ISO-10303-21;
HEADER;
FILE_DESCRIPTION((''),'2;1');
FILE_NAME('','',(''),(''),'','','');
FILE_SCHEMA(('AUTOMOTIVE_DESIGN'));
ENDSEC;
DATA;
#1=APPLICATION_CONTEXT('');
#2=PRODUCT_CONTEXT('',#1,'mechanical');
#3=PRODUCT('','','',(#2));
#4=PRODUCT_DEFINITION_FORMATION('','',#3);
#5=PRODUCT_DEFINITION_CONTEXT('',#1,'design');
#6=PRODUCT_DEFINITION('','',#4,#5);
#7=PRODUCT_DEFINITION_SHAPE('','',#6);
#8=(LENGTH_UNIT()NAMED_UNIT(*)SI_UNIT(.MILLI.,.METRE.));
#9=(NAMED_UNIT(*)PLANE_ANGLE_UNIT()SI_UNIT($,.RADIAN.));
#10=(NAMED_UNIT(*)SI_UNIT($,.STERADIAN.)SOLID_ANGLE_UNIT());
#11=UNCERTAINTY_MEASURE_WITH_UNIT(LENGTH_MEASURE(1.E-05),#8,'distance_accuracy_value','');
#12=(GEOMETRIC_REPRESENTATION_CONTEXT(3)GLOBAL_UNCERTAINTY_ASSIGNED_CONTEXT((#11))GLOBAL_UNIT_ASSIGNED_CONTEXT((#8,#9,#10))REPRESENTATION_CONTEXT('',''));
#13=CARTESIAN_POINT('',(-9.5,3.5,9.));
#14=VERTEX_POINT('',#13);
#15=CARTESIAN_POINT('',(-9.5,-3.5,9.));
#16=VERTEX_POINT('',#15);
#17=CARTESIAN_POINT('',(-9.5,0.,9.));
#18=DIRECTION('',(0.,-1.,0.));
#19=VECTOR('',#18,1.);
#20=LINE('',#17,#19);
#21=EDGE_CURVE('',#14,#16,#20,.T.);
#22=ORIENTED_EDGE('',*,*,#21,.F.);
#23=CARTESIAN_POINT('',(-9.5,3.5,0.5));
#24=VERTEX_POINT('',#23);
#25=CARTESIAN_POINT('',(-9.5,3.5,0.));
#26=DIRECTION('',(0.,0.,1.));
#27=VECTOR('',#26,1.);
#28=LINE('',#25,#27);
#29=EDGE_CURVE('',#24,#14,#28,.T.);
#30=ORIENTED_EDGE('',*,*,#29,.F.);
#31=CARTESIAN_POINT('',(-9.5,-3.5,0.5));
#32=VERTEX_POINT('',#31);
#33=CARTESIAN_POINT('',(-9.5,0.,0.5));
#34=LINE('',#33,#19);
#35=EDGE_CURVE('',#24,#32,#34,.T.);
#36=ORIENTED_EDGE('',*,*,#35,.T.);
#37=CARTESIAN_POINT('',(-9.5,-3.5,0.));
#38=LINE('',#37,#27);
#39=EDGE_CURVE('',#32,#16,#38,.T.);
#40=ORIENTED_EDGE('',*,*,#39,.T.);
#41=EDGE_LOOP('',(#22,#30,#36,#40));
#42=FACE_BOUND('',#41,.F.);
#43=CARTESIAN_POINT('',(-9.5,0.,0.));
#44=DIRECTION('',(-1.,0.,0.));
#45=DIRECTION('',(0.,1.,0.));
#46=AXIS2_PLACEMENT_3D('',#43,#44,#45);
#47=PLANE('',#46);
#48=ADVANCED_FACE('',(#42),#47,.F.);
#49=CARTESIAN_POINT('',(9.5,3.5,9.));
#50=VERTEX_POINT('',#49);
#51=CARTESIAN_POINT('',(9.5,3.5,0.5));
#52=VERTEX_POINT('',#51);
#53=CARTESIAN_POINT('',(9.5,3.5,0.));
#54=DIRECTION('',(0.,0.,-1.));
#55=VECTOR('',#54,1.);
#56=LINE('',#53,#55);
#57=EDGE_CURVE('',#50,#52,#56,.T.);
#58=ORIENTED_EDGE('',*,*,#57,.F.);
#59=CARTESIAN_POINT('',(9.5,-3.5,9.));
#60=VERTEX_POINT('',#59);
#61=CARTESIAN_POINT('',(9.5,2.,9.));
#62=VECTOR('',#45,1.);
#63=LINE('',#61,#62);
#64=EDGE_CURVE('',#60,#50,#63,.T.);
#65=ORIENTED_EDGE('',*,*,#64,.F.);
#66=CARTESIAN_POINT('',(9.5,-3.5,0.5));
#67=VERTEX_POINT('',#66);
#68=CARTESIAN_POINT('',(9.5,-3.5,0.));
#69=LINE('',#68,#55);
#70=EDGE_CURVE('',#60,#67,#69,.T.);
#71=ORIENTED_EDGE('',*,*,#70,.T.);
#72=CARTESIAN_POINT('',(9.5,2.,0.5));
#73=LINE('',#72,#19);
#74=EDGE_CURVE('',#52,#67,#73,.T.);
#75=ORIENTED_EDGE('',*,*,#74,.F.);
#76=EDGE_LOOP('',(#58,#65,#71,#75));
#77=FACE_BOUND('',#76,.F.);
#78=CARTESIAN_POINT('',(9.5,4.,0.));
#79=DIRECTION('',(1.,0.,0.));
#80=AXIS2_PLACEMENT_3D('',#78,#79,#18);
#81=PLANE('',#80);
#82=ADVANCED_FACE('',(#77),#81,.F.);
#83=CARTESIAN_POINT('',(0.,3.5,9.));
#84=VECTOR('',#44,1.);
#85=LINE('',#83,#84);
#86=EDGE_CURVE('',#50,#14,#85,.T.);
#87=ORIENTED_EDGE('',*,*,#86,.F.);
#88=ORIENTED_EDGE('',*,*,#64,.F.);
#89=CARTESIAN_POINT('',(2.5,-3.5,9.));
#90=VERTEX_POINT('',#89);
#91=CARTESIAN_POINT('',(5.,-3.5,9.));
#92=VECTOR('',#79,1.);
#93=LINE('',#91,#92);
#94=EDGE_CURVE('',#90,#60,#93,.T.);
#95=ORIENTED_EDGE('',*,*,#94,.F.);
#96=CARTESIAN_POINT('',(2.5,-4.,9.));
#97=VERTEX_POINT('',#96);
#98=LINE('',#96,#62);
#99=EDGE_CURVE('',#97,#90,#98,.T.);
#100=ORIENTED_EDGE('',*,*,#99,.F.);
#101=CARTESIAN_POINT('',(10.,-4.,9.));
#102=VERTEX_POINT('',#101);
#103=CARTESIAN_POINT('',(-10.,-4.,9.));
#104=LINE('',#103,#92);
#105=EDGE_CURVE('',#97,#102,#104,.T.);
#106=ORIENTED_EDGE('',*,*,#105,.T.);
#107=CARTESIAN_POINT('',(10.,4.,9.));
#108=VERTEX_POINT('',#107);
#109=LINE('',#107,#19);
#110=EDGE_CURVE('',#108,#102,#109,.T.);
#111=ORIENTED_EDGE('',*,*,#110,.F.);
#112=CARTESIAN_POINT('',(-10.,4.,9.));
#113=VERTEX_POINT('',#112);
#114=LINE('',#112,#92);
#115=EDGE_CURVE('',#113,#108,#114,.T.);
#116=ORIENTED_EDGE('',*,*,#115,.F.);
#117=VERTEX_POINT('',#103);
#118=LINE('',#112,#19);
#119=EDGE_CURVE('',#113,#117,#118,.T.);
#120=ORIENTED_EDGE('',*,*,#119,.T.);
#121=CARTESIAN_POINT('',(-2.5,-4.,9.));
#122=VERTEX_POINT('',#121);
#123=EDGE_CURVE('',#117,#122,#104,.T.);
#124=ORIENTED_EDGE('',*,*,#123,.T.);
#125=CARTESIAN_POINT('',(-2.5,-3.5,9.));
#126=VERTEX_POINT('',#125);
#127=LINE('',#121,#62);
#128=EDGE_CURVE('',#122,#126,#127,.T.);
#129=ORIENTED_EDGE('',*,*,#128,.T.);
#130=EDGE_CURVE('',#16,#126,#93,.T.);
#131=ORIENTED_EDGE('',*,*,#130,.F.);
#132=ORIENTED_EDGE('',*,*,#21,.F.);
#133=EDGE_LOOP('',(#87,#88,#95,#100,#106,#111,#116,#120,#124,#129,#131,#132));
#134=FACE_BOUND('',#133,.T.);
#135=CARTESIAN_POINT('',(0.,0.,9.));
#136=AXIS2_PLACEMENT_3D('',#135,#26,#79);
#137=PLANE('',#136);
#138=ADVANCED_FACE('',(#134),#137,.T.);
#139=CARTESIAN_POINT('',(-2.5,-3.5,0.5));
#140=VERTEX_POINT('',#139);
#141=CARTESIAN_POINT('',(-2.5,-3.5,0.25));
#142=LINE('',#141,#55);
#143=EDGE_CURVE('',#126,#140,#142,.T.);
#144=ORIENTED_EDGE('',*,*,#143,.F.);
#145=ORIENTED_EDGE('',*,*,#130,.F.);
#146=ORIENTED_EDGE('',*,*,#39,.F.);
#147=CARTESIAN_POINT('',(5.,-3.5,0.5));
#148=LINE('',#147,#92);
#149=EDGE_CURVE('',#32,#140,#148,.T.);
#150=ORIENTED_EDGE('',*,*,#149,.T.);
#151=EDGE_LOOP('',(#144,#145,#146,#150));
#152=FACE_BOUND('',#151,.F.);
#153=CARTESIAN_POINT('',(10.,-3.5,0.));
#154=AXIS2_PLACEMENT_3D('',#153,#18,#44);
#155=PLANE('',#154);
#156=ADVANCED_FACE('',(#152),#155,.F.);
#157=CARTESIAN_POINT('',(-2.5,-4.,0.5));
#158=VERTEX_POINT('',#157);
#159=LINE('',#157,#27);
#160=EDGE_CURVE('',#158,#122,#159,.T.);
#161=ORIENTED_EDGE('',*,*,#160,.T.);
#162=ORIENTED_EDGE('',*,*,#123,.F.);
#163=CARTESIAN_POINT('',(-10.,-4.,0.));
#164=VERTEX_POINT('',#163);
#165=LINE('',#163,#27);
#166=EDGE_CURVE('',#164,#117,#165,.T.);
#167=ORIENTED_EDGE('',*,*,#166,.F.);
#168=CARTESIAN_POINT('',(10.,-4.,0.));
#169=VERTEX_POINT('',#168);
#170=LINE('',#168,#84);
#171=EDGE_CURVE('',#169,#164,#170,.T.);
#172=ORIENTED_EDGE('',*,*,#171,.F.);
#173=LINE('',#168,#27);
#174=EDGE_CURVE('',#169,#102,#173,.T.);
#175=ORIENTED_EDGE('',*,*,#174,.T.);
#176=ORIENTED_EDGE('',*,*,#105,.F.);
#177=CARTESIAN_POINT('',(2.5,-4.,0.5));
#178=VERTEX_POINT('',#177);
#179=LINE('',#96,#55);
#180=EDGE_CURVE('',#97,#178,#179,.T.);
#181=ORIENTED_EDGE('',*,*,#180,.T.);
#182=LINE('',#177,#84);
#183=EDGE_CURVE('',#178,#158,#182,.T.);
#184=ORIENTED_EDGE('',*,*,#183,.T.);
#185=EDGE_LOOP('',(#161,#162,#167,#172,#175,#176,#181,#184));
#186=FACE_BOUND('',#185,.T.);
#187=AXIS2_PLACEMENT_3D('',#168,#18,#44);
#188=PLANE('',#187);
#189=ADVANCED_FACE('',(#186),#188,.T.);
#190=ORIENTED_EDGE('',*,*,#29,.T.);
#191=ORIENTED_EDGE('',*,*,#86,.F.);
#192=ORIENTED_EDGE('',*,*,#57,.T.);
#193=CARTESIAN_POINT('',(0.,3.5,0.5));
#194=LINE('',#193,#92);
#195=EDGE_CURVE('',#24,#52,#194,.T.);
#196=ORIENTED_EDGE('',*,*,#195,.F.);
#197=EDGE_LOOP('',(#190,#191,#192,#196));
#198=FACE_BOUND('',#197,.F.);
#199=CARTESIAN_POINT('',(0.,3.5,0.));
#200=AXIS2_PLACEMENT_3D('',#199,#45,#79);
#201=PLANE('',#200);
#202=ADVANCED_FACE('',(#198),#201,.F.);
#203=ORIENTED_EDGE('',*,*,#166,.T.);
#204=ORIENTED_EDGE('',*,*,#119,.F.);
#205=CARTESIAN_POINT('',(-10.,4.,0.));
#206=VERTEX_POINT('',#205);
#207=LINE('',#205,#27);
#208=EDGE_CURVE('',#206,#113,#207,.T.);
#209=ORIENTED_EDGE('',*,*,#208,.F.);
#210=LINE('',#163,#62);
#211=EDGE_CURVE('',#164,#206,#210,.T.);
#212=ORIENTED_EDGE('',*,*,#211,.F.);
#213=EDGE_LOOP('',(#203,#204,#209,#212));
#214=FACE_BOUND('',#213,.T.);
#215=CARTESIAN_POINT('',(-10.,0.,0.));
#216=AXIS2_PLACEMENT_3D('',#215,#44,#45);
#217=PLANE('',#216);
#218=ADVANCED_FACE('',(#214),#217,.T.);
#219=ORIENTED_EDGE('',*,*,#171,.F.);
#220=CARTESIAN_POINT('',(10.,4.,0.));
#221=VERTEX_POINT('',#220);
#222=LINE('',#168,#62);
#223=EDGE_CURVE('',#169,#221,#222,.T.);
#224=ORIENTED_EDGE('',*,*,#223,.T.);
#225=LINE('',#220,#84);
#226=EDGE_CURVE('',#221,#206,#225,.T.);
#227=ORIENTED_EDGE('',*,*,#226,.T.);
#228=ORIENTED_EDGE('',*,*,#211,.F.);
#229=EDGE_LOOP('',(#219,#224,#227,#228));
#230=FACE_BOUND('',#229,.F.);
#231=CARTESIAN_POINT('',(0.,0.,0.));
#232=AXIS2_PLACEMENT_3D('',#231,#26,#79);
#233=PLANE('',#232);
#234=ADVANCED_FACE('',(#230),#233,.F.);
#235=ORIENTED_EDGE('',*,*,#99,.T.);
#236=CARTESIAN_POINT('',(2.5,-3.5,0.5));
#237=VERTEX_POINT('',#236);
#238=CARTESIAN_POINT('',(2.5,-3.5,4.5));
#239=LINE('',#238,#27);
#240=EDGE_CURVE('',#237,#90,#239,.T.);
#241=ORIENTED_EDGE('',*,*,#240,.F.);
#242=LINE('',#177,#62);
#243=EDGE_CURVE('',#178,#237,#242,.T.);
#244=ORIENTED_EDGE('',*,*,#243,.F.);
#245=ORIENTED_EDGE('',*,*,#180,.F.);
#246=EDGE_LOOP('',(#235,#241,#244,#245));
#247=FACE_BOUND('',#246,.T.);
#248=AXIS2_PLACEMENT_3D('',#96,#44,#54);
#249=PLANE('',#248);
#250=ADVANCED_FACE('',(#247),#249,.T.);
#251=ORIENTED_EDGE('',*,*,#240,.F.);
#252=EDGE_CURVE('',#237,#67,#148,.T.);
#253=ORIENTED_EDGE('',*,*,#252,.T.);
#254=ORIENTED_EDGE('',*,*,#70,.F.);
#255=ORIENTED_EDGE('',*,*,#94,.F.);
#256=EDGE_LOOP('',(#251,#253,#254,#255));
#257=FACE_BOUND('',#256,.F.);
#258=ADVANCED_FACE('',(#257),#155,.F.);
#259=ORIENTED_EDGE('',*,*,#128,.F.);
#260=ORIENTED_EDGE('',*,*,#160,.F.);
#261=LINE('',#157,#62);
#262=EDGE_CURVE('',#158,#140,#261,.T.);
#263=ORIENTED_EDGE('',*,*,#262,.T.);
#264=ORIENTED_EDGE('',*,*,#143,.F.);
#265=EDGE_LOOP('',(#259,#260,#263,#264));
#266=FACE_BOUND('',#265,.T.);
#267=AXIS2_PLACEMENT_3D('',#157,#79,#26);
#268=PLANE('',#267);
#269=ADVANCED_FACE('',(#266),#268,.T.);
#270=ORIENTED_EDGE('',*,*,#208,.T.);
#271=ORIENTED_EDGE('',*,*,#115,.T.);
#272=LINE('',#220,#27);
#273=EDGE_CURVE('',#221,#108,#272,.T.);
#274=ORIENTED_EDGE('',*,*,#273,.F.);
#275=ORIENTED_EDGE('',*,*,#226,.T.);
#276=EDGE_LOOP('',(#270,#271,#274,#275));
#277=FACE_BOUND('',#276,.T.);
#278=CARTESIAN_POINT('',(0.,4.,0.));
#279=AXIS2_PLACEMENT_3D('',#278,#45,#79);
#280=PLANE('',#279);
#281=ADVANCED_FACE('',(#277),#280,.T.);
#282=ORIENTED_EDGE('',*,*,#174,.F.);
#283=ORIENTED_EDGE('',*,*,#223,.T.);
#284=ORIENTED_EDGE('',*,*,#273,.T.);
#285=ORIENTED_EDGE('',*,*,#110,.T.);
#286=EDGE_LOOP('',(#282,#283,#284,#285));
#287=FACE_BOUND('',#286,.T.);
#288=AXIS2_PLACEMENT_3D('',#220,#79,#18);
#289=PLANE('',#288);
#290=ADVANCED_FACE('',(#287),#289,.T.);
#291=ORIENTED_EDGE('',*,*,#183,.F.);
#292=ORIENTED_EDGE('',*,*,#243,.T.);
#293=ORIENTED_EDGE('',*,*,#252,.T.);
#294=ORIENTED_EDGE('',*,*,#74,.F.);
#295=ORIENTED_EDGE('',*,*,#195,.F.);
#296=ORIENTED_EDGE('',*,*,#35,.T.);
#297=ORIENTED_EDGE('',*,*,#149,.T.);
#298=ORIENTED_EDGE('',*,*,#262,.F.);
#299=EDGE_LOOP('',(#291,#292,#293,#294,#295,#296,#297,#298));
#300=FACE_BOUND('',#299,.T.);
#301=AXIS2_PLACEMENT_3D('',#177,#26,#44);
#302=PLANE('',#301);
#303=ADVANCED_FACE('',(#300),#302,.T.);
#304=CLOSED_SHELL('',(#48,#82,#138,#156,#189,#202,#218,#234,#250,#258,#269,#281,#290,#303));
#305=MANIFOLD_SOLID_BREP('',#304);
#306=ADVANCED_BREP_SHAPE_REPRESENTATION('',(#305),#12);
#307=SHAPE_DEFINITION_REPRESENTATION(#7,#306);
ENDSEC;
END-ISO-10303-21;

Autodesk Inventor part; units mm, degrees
ref_plane "YZ Plane" through (0, 0, 0) normal (1, 0, 0) x (0, 1, 0)
ref_plane "XZ Plane" through (0, 0, 0) normal (0, 1, 0) x (-1, 0, 0)
ref_plane "XY Plane" through (0, 0, 0) normal (0, 0, 1) x (1, 0, 0)
sketch "Sketch1" plane through (0, 0, 0) normal (0, 0, 1) x (1, 0, 0)
  line L0 (0, 6.4) -> (0, -4.8) projected
  line L1 (-12, 0) -> (16, 0) projected
  line L2 (-10, 4) -> (10, 4)
  line L3 (10, 4) -> (10, -4)
  line L4 (10, -4) -> (-10, -4)
  line L5 (-10, -4) -> (-10, 4)
  dimension "d0" = 20
  dimension "d1" = 8
extrude "Extrusion1" add sketch "Sketch1" along normal blind 9
shell "Shell1" thickness 0.5 removed faces 1 at (3.3333, -1.3333, 9)
sketch "Sketch2" plane through (-10, -4, 0) normal (0, -1, 0) x (1, 0, 0)
  line L0 (20, 9) -> (0, 9) construction
  line L1 (19.5, 0.5) -> (0.5, 0.5) construction
  line L2 (10, 11.7) -> (10, -0.9) construction
  line L3 (7.5, 9) -> (12.5, 9)
  line L4 (12.5, 9) -> (12.5, 0.5)
  line L5 (12.5, 0.5) -> (7.5, 0.5)
  line L6 (7.5, 0.5) -> (7.5, 9)
  dimension "d5" = 5
extrude "Extrusion2" cut sketch "Sketch2" against normal up to next
properties part number "config - c9g5 connector"
